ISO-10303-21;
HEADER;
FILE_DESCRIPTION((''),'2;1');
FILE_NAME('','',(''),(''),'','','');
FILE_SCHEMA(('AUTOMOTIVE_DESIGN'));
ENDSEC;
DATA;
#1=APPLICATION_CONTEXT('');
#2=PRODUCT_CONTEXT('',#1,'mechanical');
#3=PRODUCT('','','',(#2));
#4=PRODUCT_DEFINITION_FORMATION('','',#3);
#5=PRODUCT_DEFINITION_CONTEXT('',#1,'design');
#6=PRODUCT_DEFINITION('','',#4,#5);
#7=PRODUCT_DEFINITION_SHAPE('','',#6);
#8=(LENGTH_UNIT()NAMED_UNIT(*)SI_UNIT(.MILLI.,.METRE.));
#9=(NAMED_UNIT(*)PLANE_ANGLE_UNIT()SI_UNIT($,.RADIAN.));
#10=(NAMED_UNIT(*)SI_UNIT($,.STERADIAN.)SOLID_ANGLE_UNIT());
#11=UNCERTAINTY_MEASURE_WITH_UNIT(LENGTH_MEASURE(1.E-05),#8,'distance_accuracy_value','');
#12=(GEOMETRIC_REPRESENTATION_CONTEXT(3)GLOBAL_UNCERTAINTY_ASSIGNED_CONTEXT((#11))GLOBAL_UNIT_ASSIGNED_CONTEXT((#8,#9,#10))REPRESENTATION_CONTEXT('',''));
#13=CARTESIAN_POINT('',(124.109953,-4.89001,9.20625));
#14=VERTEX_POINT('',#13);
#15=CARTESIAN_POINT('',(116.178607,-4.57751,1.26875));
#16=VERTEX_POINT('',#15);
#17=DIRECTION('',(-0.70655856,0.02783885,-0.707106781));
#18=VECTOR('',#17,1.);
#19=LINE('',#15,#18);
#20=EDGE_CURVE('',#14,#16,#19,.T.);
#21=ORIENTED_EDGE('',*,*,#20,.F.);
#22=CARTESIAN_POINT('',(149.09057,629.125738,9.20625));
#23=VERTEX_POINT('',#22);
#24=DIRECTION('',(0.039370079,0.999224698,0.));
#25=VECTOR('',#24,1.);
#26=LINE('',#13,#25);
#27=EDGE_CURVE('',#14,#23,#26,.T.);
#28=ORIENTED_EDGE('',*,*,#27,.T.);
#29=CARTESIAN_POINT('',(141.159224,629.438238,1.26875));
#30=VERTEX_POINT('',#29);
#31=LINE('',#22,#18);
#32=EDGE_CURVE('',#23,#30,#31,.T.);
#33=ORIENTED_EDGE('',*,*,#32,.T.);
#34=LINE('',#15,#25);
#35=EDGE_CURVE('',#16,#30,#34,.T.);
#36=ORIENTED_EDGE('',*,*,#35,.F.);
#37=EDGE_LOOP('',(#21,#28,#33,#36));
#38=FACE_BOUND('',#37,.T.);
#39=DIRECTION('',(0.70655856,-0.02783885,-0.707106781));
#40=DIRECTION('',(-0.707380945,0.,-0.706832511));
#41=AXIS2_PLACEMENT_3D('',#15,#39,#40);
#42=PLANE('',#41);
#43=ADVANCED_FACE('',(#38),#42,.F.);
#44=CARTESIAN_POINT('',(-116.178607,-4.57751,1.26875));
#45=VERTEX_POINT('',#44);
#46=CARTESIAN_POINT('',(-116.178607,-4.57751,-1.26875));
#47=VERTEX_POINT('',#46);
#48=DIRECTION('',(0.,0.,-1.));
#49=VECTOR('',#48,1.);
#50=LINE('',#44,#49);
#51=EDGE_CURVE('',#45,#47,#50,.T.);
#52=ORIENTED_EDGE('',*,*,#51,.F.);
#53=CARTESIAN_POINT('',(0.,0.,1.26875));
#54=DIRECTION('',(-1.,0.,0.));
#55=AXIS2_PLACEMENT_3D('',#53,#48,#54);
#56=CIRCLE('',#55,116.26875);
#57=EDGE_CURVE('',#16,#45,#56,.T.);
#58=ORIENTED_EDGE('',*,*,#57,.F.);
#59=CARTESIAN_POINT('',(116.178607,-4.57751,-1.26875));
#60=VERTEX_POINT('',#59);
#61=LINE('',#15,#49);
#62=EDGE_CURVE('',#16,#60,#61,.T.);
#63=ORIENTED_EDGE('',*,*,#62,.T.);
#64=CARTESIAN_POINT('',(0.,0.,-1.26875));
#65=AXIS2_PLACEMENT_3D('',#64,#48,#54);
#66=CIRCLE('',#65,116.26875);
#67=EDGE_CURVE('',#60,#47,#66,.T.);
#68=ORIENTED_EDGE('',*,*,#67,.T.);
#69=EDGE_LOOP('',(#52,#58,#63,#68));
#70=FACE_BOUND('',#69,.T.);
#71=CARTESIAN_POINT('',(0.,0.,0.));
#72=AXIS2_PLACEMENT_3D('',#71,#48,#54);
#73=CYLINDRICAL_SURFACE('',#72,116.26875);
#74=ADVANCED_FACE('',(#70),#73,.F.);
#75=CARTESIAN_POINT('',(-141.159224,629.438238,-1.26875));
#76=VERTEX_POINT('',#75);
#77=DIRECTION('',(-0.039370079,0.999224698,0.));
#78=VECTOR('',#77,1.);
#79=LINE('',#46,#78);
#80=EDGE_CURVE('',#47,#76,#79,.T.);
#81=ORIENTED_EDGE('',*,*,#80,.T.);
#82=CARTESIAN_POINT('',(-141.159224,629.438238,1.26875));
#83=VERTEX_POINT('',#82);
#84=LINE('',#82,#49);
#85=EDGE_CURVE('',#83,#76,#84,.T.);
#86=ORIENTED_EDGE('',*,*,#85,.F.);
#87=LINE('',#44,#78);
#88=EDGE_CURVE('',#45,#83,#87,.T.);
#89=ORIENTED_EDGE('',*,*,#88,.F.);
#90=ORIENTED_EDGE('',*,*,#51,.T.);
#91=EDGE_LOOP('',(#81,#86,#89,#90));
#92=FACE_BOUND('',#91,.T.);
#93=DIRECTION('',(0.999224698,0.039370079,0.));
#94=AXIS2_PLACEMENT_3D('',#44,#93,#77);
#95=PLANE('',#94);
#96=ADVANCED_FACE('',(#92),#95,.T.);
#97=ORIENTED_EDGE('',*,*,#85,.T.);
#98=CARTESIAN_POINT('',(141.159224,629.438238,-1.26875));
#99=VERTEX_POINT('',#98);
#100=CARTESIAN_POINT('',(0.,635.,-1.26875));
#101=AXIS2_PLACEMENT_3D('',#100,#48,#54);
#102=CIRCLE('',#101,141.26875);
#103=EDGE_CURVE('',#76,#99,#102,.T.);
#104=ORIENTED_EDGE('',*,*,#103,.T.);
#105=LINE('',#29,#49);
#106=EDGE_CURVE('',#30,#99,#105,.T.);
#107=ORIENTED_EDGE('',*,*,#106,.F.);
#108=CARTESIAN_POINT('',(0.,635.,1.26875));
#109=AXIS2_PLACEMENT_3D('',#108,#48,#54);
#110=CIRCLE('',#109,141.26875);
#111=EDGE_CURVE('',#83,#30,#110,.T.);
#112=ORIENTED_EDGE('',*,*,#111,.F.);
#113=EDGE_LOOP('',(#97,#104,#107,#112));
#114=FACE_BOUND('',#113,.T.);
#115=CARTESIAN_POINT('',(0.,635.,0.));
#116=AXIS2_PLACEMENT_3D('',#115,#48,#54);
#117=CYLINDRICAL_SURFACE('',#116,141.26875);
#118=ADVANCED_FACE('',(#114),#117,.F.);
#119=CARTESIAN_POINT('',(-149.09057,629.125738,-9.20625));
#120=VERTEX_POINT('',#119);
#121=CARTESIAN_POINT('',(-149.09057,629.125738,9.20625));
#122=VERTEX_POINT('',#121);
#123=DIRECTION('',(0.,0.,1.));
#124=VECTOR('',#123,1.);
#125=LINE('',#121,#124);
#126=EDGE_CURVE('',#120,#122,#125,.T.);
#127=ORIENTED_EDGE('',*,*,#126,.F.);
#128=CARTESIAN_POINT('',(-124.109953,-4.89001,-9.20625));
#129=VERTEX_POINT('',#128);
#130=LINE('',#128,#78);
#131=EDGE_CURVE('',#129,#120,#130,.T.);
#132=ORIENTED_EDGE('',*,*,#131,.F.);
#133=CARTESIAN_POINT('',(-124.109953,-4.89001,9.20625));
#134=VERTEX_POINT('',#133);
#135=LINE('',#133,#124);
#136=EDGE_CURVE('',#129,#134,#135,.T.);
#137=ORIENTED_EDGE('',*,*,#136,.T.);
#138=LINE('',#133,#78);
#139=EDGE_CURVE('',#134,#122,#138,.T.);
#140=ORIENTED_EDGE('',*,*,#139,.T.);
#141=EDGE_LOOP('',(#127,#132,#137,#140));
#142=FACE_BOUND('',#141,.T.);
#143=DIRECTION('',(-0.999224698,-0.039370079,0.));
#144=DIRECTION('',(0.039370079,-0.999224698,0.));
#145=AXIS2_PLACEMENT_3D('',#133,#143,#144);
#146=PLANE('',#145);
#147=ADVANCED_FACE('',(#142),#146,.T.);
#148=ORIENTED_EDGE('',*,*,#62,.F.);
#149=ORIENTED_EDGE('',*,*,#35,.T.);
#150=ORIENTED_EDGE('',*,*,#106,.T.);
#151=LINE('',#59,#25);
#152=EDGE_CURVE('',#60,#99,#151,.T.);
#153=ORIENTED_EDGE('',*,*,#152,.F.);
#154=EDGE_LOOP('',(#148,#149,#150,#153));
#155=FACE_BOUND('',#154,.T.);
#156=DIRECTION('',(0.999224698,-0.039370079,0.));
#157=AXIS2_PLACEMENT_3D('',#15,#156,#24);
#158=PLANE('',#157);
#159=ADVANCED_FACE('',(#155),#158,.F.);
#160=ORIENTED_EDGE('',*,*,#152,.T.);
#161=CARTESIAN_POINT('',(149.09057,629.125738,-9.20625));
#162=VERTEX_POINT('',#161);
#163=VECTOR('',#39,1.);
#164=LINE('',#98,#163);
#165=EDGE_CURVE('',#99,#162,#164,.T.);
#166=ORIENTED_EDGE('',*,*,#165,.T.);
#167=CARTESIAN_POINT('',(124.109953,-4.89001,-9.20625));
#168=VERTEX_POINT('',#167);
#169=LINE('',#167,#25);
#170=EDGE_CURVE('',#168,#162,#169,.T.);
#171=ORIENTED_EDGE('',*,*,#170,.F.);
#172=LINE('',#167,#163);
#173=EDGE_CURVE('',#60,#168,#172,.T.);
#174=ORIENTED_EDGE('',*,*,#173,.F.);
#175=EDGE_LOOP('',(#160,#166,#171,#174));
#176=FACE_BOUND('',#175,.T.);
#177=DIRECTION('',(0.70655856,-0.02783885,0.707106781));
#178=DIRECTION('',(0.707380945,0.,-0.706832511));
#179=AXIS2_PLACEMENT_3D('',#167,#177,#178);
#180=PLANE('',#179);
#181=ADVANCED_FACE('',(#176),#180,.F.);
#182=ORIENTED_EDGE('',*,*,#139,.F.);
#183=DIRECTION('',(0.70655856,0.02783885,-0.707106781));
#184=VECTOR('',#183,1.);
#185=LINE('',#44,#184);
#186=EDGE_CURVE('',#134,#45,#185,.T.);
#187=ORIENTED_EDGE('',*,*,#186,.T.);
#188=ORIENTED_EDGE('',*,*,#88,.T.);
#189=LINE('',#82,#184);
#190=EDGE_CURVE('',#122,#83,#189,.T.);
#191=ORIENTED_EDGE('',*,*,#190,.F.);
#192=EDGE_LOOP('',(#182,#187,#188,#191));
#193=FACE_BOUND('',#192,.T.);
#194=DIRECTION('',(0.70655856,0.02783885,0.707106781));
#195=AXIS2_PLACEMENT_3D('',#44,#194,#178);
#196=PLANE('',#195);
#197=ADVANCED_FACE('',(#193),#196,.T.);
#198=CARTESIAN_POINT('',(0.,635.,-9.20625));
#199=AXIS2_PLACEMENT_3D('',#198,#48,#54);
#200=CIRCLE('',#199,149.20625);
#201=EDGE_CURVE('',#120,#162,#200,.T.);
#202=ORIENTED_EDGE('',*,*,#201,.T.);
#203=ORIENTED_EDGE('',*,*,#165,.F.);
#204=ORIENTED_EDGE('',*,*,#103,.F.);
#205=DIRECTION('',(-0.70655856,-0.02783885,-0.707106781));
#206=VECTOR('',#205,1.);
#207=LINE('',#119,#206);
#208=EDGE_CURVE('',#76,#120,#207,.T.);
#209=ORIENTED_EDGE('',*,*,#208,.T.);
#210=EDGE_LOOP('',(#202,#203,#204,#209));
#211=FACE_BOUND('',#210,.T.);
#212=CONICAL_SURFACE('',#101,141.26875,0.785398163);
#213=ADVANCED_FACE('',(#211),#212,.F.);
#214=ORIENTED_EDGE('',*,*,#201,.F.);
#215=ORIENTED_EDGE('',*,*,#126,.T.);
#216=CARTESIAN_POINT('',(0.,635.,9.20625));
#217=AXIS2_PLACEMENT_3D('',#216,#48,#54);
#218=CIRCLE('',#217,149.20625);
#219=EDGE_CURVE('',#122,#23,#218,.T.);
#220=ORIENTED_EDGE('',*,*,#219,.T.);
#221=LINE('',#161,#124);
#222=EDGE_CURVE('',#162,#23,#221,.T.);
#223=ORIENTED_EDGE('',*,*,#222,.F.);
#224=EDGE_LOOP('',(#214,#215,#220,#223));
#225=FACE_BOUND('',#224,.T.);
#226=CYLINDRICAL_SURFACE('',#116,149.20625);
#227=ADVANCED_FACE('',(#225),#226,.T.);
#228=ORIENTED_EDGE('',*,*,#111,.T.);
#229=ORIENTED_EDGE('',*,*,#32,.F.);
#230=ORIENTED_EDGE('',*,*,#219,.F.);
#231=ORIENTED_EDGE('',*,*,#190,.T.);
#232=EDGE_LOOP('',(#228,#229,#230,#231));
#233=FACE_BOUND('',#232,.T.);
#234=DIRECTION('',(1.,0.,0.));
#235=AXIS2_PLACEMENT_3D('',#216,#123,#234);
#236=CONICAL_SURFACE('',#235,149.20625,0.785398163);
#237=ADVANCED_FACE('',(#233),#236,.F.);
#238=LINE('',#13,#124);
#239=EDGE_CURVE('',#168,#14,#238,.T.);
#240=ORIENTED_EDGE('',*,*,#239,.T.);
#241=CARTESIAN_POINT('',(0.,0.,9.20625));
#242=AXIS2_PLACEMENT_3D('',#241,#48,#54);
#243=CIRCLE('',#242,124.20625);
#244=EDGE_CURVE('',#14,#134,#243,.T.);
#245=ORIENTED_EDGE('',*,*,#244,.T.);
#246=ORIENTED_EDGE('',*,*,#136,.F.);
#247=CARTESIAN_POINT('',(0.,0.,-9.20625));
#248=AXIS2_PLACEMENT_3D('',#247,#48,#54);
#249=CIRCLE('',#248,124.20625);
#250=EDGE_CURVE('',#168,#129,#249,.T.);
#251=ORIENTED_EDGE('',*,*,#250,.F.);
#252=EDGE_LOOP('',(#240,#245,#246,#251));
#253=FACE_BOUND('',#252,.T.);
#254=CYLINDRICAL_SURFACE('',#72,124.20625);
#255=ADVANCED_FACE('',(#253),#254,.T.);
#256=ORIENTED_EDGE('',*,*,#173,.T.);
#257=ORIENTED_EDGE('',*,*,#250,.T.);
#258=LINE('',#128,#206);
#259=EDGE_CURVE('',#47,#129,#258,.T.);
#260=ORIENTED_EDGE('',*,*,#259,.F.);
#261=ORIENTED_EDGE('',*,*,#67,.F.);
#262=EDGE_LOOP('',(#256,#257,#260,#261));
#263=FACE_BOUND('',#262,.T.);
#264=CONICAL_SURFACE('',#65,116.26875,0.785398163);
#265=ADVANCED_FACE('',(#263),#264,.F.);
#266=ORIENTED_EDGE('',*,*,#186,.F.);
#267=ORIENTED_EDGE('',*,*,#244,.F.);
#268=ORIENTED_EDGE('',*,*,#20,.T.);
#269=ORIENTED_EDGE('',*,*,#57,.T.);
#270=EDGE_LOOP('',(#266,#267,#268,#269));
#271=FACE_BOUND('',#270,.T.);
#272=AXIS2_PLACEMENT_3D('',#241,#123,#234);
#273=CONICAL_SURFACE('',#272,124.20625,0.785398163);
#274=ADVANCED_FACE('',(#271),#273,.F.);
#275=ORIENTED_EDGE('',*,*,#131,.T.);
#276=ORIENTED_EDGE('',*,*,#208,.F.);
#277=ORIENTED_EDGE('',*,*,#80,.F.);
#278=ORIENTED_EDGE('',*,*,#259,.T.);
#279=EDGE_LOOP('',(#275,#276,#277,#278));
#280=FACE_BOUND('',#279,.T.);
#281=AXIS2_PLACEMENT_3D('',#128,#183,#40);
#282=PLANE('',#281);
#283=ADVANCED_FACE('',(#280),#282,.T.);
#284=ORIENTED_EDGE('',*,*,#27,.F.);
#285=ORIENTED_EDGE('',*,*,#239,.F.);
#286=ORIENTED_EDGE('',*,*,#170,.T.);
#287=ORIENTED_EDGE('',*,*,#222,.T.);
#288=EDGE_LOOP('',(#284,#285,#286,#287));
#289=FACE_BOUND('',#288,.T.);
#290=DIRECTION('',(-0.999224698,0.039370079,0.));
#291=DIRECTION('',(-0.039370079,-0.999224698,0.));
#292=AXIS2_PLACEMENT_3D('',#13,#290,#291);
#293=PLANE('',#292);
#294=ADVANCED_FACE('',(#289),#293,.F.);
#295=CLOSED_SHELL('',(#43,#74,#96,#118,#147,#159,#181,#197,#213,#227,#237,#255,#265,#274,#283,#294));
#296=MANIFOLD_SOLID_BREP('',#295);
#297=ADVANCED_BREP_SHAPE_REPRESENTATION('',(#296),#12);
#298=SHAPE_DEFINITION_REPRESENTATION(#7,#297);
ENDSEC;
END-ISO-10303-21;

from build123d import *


with BuildPart() as part:
    # Sweep1: sweep along a path in Sketch1
    with BuildLine(Plane.XY) as sweep1_path:
        Line((139.891457706, 629.488188976), (114.910840259, -4.527559055))
        ThreePointArc((114.910840259, -4.527559055), (0, -115), (-114.910840259, -4.527559055))
        Line((-114.910840259, -4.527559055), (-139.891457706, 629.488188976))
        ThreePointArc((-139.891457706, 629.488188976), (0, 775), (139.891457706, 629.488188976))
    # Sketch2 → Sweep1 (sweep)
    with BuildSketch(Plane(origin=(139.891457706, 629.488188976, 0), x_dir=(0.9992246979033264, -0.03937007874015808, 0), z_dir=(-0.03937007874015808, -0.9992246979033264, 0))):
        Polygon((1.26875, 1.26875), (9.20625, 9.20625), (9.20625, -9.20625), (1.26875, -1.26875), align=None)
    sweep(path=sweep1_path.line)


solid = part.part
